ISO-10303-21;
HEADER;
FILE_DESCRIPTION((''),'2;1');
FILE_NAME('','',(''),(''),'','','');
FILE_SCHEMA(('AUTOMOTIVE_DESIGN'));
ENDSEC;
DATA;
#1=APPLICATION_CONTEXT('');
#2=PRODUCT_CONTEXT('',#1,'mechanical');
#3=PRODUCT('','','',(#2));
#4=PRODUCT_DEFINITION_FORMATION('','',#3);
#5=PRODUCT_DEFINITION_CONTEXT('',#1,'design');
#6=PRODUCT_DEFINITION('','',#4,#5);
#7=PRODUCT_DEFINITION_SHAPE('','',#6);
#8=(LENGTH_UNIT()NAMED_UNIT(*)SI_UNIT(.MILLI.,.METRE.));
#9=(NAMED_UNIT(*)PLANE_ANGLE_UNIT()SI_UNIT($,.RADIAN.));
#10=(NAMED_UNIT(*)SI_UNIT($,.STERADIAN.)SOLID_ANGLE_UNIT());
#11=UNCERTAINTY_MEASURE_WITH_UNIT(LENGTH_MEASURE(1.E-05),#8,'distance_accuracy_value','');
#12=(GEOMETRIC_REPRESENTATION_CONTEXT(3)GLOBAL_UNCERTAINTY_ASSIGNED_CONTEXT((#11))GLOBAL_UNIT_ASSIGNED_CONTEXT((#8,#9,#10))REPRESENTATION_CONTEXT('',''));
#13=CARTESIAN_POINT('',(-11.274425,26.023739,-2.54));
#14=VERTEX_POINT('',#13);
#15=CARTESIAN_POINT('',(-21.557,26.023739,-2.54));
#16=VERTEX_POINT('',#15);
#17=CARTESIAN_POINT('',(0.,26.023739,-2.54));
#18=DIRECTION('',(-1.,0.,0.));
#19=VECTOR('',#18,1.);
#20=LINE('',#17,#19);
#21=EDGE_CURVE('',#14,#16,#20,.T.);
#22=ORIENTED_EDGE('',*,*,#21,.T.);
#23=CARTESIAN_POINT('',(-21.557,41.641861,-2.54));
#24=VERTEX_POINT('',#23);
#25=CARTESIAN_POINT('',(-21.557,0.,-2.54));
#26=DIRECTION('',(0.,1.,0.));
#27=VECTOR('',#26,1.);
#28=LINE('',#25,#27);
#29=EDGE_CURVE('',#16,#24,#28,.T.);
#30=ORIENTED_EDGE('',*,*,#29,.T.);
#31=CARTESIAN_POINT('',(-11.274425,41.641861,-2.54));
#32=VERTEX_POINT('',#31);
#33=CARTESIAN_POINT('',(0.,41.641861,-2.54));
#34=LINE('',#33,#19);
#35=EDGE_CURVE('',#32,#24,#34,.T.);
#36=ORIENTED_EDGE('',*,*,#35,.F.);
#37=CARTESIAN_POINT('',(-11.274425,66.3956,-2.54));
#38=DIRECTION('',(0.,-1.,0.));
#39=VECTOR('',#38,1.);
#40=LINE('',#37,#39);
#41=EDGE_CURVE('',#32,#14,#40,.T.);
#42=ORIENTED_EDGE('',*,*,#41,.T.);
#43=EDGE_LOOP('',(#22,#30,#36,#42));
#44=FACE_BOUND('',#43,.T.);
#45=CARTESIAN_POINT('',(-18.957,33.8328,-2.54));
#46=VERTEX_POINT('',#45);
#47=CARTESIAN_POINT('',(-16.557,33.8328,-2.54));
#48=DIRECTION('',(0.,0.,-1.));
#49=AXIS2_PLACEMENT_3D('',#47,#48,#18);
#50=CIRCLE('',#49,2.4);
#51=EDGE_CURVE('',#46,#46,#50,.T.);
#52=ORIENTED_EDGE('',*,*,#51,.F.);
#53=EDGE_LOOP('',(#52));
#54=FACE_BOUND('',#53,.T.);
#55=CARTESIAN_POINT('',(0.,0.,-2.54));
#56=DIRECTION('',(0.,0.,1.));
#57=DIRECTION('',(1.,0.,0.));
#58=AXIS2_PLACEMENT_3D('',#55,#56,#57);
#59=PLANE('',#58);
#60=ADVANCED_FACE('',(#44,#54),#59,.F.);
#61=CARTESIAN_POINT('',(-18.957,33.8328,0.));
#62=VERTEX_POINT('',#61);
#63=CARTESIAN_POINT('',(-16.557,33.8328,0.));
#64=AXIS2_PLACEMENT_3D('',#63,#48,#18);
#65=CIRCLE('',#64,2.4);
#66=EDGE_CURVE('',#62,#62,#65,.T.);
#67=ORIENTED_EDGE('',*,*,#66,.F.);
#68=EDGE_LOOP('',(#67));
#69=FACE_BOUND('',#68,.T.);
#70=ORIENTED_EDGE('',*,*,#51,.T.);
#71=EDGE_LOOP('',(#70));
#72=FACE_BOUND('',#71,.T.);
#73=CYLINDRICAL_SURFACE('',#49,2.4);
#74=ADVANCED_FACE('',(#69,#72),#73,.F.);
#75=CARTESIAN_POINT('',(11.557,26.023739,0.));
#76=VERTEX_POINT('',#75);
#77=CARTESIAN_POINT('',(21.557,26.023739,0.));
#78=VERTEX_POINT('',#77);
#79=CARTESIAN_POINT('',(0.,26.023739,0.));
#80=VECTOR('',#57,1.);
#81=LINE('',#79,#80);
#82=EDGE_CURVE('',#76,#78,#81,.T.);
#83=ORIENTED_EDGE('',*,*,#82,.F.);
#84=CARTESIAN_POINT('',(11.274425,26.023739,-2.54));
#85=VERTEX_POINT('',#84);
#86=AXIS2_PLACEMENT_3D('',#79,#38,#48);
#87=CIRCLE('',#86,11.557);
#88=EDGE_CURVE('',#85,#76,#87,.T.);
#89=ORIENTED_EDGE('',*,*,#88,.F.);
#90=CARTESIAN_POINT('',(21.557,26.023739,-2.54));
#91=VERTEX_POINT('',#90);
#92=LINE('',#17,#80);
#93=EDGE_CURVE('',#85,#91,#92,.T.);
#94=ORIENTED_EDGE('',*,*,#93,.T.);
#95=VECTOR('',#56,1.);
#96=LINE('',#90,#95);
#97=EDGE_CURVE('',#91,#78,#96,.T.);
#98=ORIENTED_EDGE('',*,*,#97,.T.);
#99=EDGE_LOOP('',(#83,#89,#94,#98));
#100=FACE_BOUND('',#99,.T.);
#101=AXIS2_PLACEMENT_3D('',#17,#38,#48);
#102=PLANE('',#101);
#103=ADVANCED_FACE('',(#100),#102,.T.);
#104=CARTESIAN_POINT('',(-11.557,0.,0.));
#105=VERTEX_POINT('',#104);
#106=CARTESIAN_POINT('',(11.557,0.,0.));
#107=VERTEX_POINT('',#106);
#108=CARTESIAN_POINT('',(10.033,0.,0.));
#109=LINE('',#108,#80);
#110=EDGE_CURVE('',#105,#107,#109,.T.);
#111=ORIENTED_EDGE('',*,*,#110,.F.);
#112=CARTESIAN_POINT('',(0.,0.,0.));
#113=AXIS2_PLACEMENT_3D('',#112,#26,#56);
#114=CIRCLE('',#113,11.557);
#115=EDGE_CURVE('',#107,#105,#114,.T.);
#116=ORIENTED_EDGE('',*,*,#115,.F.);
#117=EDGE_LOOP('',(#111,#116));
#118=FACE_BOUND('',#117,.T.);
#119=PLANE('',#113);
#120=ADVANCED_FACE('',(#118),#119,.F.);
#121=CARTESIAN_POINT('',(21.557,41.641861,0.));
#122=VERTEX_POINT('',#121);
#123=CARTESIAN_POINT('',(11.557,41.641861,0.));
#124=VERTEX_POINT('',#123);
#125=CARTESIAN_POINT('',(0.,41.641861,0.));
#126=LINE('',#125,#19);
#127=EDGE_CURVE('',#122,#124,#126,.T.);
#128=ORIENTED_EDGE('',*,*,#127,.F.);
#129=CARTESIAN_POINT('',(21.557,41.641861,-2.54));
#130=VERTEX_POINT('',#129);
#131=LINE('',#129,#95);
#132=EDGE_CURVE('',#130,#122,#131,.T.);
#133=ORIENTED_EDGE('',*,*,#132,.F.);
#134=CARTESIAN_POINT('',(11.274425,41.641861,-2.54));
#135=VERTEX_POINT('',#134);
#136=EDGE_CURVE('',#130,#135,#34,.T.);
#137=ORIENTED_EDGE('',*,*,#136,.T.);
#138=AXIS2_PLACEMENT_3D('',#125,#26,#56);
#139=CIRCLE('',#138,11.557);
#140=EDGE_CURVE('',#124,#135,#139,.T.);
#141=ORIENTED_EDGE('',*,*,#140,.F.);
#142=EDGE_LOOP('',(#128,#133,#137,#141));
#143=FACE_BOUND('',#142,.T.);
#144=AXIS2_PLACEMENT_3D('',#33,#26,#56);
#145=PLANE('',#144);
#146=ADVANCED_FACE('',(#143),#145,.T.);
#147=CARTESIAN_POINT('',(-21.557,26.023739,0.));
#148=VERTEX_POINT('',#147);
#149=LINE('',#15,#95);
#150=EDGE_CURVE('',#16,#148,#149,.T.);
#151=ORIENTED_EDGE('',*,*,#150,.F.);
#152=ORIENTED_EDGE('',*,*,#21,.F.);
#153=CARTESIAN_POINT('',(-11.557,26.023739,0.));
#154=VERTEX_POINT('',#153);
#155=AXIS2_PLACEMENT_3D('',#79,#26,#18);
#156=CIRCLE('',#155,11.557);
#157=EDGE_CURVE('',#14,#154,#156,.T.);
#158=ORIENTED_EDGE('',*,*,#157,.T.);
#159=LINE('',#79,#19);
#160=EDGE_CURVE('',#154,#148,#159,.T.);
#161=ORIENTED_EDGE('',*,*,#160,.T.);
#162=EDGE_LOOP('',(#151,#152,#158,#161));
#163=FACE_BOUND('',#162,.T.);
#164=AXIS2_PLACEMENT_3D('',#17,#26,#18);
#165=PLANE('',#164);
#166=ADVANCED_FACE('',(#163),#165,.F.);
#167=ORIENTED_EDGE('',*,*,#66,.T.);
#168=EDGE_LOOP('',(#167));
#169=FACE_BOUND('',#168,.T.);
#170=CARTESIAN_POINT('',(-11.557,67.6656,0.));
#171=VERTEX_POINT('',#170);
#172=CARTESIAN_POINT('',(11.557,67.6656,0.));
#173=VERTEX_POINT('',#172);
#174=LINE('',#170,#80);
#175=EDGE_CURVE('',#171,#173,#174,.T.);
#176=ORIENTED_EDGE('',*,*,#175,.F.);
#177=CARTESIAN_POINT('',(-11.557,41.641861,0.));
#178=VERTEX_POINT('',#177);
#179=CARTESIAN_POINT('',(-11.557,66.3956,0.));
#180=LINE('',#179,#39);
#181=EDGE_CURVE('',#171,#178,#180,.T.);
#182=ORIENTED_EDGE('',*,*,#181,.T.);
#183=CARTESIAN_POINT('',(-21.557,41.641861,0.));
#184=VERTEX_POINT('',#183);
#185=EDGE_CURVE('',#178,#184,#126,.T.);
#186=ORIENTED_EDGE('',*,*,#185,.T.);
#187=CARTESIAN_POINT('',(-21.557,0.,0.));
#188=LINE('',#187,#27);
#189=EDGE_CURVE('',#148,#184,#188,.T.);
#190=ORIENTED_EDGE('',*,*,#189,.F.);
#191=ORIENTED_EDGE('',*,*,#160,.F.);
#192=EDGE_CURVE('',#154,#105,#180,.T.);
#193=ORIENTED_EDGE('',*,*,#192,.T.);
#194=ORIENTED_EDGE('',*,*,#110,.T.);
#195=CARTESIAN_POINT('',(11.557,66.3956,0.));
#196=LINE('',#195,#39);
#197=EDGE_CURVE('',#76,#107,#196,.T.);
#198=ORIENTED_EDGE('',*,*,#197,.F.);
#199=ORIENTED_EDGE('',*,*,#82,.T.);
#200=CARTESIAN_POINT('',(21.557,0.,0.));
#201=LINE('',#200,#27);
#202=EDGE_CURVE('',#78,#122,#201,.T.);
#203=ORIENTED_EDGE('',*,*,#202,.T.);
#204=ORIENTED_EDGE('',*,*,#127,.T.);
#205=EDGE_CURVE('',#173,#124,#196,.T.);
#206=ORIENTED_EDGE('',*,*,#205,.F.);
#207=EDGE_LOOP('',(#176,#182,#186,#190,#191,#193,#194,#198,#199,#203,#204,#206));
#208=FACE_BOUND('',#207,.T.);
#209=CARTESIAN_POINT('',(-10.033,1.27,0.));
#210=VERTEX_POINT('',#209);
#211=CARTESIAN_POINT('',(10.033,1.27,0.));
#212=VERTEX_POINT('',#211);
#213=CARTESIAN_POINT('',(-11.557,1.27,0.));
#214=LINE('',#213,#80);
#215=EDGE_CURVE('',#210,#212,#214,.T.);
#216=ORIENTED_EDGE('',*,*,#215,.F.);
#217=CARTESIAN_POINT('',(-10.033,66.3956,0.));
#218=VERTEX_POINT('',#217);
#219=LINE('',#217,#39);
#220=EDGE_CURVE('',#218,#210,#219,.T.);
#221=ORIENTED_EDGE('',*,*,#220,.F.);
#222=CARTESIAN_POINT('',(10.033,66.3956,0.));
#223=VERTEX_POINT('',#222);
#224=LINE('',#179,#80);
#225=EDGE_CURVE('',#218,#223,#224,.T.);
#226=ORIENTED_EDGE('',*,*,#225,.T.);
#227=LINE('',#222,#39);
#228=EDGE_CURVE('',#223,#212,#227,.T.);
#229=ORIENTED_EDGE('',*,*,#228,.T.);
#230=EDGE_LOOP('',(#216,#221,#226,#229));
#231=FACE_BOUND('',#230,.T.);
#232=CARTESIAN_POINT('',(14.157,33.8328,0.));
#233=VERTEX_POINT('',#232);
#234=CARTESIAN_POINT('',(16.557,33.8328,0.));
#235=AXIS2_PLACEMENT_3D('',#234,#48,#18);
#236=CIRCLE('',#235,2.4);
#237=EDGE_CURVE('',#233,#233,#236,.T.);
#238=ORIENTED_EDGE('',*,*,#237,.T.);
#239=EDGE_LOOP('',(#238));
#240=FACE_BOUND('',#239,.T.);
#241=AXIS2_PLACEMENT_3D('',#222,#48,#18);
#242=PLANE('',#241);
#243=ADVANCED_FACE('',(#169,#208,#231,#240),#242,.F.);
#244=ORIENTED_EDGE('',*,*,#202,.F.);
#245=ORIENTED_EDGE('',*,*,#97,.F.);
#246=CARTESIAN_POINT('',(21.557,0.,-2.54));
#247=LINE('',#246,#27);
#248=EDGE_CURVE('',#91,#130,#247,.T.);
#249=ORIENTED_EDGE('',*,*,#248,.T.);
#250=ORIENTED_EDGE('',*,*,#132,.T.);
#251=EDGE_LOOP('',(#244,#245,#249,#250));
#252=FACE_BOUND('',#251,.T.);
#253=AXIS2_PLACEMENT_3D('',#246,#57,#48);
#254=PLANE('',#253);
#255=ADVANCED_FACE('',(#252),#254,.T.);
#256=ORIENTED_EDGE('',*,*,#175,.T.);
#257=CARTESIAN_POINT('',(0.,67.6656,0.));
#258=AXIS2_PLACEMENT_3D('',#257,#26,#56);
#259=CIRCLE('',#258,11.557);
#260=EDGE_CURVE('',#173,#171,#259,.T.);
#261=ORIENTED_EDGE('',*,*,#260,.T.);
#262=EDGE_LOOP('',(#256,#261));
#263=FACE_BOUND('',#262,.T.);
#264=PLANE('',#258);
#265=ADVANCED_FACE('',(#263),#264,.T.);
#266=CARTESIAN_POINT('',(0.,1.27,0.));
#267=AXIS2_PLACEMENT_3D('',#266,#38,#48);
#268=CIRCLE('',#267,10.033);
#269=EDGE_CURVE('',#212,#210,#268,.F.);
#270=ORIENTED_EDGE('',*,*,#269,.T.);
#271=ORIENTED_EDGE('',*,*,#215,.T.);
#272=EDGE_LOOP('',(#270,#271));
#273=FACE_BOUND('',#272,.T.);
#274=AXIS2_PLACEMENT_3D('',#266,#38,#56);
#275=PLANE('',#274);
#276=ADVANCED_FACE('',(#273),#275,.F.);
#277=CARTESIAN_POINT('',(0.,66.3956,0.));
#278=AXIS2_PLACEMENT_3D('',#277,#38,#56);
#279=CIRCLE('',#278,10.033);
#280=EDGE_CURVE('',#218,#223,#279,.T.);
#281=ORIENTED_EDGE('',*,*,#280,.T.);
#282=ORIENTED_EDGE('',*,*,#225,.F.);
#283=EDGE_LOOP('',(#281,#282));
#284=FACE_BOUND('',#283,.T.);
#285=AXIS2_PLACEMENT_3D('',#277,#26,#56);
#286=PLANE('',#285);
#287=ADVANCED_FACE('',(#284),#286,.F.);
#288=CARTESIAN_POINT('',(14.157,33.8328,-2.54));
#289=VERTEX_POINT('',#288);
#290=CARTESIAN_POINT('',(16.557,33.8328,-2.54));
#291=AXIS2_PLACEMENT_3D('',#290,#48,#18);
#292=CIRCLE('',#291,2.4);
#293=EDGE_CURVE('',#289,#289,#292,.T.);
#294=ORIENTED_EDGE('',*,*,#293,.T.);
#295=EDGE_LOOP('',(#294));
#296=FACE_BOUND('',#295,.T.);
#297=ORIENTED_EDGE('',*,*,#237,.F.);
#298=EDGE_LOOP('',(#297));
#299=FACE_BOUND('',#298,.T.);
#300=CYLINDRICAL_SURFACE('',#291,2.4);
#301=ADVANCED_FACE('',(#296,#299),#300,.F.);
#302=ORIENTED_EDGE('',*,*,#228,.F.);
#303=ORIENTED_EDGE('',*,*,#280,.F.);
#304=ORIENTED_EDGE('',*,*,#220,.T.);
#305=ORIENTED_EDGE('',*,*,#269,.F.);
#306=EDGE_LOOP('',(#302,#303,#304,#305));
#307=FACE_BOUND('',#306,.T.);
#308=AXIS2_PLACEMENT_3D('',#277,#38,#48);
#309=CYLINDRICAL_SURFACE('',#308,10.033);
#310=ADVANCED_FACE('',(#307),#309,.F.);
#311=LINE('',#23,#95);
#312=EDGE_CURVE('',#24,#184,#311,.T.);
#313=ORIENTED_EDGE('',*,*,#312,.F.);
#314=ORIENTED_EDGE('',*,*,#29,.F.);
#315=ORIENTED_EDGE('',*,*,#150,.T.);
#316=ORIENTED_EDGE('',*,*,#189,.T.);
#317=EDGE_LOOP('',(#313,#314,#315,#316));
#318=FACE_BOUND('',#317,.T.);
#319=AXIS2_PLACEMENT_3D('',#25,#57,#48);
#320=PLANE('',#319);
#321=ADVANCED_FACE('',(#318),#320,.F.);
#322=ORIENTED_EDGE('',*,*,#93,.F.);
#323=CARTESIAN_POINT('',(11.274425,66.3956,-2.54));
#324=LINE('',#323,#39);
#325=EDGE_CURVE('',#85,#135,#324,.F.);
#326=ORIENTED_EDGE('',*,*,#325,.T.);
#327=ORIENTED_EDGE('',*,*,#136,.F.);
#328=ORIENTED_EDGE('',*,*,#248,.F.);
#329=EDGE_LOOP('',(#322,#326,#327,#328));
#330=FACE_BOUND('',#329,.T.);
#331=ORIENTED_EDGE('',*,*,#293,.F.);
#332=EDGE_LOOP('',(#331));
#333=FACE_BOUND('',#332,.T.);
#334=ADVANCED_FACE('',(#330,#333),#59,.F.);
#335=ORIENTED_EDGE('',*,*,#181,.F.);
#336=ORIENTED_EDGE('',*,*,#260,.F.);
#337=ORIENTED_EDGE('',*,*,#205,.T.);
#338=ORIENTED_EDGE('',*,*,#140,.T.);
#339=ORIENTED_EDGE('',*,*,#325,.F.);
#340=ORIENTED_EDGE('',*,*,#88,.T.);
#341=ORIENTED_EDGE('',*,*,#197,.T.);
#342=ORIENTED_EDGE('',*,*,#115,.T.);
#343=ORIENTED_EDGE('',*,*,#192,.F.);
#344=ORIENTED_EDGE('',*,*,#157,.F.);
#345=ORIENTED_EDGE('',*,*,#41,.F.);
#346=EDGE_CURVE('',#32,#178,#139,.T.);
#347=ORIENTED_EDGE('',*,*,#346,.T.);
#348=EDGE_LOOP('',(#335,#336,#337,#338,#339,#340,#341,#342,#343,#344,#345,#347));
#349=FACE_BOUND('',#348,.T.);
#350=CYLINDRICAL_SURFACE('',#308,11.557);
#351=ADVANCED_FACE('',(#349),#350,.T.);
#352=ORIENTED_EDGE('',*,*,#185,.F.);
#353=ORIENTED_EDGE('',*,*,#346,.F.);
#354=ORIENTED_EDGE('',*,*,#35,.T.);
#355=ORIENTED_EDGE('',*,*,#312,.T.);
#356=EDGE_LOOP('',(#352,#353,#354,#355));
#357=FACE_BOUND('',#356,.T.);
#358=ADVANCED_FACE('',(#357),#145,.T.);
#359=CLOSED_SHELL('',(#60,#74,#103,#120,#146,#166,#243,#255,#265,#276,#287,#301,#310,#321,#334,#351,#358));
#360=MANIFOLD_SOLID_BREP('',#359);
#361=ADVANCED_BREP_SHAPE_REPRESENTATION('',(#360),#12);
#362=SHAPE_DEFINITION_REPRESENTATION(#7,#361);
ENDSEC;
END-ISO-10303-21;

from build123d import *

# Parameters (mm, degrees)
BOSS_EXTRUDE1_DEPTH  = 66.3956
BOSS_EXTRUDE2_DEPTH  = 1.27
SKETCH6_W            = 10
SKETCH6_H            = 15.618122384
SKETCH6_R            = 0.592132867
SKETCH6_W_2          = 1.524
BOSS_EXTRUDE4_DEPTH  = 2.54
M4_CLEARANCE_HOLE1_D = 4.8


with BuildPart() as part:
    # Sketch1 → Boss-Extrude1 (new body)
    with BuildSketch(Plane(origin=(0, 0, 0), x_dir=(1, 0, 0), z_dir=(0, 1, 0))):
        with BuildLine():
            Line((-11.557, 0), (-10.033, 0))
            ThreePointArc((-10.033, 0), (0, 10.033), (10.033, 0))
            Line((10.033, 0), (11.557, 0))
            ThreePointArc((11.557, 0), (0, 11.557), (-11.557, 0))
        make_face()
    extrude(amount=BOSS_EXTRUDE1_DEPTH)

    # Sketch2 → Boss-Extrude2 (add)
    with BuildSketch(Plane(origin=(0, 66.3956, 0), x_dir=(1, 0, 0), z_dir=(0, 1, 0))):
        with BuildLine():
            Line((-11.557, 0), (11.557, 0))
            ThreePointArc((11.557, 0), (0, 11.557), (-11.557, 0))
        make_face()
    boss_extrude2 = extrude(amount=BOSS_EXTRUDE2_DEPTH)

    # Mirror1: Boss-Extrude2 across plane
    add(boss_extrude2.mirror(Plane.ZX.offset(33.8328)))

    # Sketch6 → Boss-Extrude4 (add)
    # profile 1 of 4: a face of its own
    with BuildSketch(Plane.XY):
        with Locations((-16.557, 33.8328)):
            Rectangle(SKETCH6_W, SKETCH6_H)
        with Locations((-16.557, 33.8328)):
            Circle(SKETCH6_R, mode=Mode.SUBTRACT)
    # profile 2 of 4: a face of its own
    with BuildSketch(Plane.XY):
        with Locations((-10.795, 33.8328)):
            Rectangle(SKETCH6_W_2, SKETCH6_H)
    # profile 3 of 4: a face of its own
    with BuildSketch(Plane.XY):
        with Locations((10.795, 33.8328)):
            Rectangle(SKETCH6_W_2, SKETCH6_H)
    # profile 4 of 4: a face of its own
    with BuildSketch(Plane.XY):
        with Locations((16.557, 33.8328)):
            Rectangle(SKETCH6_W, SKETCH6_H)
        with Locations((16.557, 33.8328)):
            Circle(SKETCH6_R, mode=Mode.SUBTRACT)
    extrude(amount=-BOSS_EXTRUDE4_DEPTH)

    # M4 Clearance Hole1 (through all)
    with Locations(Plane(origin=(0, 0, -2.54), x_dir=(-1, 0, 0), z_dir=(0, 0, -1))):
        with Locations((-16.557, 33.8328), (16.557, 33.8328)):
            Hole(M4_CLEARANCE_HOLE1_D / 2)


solid = part.part
